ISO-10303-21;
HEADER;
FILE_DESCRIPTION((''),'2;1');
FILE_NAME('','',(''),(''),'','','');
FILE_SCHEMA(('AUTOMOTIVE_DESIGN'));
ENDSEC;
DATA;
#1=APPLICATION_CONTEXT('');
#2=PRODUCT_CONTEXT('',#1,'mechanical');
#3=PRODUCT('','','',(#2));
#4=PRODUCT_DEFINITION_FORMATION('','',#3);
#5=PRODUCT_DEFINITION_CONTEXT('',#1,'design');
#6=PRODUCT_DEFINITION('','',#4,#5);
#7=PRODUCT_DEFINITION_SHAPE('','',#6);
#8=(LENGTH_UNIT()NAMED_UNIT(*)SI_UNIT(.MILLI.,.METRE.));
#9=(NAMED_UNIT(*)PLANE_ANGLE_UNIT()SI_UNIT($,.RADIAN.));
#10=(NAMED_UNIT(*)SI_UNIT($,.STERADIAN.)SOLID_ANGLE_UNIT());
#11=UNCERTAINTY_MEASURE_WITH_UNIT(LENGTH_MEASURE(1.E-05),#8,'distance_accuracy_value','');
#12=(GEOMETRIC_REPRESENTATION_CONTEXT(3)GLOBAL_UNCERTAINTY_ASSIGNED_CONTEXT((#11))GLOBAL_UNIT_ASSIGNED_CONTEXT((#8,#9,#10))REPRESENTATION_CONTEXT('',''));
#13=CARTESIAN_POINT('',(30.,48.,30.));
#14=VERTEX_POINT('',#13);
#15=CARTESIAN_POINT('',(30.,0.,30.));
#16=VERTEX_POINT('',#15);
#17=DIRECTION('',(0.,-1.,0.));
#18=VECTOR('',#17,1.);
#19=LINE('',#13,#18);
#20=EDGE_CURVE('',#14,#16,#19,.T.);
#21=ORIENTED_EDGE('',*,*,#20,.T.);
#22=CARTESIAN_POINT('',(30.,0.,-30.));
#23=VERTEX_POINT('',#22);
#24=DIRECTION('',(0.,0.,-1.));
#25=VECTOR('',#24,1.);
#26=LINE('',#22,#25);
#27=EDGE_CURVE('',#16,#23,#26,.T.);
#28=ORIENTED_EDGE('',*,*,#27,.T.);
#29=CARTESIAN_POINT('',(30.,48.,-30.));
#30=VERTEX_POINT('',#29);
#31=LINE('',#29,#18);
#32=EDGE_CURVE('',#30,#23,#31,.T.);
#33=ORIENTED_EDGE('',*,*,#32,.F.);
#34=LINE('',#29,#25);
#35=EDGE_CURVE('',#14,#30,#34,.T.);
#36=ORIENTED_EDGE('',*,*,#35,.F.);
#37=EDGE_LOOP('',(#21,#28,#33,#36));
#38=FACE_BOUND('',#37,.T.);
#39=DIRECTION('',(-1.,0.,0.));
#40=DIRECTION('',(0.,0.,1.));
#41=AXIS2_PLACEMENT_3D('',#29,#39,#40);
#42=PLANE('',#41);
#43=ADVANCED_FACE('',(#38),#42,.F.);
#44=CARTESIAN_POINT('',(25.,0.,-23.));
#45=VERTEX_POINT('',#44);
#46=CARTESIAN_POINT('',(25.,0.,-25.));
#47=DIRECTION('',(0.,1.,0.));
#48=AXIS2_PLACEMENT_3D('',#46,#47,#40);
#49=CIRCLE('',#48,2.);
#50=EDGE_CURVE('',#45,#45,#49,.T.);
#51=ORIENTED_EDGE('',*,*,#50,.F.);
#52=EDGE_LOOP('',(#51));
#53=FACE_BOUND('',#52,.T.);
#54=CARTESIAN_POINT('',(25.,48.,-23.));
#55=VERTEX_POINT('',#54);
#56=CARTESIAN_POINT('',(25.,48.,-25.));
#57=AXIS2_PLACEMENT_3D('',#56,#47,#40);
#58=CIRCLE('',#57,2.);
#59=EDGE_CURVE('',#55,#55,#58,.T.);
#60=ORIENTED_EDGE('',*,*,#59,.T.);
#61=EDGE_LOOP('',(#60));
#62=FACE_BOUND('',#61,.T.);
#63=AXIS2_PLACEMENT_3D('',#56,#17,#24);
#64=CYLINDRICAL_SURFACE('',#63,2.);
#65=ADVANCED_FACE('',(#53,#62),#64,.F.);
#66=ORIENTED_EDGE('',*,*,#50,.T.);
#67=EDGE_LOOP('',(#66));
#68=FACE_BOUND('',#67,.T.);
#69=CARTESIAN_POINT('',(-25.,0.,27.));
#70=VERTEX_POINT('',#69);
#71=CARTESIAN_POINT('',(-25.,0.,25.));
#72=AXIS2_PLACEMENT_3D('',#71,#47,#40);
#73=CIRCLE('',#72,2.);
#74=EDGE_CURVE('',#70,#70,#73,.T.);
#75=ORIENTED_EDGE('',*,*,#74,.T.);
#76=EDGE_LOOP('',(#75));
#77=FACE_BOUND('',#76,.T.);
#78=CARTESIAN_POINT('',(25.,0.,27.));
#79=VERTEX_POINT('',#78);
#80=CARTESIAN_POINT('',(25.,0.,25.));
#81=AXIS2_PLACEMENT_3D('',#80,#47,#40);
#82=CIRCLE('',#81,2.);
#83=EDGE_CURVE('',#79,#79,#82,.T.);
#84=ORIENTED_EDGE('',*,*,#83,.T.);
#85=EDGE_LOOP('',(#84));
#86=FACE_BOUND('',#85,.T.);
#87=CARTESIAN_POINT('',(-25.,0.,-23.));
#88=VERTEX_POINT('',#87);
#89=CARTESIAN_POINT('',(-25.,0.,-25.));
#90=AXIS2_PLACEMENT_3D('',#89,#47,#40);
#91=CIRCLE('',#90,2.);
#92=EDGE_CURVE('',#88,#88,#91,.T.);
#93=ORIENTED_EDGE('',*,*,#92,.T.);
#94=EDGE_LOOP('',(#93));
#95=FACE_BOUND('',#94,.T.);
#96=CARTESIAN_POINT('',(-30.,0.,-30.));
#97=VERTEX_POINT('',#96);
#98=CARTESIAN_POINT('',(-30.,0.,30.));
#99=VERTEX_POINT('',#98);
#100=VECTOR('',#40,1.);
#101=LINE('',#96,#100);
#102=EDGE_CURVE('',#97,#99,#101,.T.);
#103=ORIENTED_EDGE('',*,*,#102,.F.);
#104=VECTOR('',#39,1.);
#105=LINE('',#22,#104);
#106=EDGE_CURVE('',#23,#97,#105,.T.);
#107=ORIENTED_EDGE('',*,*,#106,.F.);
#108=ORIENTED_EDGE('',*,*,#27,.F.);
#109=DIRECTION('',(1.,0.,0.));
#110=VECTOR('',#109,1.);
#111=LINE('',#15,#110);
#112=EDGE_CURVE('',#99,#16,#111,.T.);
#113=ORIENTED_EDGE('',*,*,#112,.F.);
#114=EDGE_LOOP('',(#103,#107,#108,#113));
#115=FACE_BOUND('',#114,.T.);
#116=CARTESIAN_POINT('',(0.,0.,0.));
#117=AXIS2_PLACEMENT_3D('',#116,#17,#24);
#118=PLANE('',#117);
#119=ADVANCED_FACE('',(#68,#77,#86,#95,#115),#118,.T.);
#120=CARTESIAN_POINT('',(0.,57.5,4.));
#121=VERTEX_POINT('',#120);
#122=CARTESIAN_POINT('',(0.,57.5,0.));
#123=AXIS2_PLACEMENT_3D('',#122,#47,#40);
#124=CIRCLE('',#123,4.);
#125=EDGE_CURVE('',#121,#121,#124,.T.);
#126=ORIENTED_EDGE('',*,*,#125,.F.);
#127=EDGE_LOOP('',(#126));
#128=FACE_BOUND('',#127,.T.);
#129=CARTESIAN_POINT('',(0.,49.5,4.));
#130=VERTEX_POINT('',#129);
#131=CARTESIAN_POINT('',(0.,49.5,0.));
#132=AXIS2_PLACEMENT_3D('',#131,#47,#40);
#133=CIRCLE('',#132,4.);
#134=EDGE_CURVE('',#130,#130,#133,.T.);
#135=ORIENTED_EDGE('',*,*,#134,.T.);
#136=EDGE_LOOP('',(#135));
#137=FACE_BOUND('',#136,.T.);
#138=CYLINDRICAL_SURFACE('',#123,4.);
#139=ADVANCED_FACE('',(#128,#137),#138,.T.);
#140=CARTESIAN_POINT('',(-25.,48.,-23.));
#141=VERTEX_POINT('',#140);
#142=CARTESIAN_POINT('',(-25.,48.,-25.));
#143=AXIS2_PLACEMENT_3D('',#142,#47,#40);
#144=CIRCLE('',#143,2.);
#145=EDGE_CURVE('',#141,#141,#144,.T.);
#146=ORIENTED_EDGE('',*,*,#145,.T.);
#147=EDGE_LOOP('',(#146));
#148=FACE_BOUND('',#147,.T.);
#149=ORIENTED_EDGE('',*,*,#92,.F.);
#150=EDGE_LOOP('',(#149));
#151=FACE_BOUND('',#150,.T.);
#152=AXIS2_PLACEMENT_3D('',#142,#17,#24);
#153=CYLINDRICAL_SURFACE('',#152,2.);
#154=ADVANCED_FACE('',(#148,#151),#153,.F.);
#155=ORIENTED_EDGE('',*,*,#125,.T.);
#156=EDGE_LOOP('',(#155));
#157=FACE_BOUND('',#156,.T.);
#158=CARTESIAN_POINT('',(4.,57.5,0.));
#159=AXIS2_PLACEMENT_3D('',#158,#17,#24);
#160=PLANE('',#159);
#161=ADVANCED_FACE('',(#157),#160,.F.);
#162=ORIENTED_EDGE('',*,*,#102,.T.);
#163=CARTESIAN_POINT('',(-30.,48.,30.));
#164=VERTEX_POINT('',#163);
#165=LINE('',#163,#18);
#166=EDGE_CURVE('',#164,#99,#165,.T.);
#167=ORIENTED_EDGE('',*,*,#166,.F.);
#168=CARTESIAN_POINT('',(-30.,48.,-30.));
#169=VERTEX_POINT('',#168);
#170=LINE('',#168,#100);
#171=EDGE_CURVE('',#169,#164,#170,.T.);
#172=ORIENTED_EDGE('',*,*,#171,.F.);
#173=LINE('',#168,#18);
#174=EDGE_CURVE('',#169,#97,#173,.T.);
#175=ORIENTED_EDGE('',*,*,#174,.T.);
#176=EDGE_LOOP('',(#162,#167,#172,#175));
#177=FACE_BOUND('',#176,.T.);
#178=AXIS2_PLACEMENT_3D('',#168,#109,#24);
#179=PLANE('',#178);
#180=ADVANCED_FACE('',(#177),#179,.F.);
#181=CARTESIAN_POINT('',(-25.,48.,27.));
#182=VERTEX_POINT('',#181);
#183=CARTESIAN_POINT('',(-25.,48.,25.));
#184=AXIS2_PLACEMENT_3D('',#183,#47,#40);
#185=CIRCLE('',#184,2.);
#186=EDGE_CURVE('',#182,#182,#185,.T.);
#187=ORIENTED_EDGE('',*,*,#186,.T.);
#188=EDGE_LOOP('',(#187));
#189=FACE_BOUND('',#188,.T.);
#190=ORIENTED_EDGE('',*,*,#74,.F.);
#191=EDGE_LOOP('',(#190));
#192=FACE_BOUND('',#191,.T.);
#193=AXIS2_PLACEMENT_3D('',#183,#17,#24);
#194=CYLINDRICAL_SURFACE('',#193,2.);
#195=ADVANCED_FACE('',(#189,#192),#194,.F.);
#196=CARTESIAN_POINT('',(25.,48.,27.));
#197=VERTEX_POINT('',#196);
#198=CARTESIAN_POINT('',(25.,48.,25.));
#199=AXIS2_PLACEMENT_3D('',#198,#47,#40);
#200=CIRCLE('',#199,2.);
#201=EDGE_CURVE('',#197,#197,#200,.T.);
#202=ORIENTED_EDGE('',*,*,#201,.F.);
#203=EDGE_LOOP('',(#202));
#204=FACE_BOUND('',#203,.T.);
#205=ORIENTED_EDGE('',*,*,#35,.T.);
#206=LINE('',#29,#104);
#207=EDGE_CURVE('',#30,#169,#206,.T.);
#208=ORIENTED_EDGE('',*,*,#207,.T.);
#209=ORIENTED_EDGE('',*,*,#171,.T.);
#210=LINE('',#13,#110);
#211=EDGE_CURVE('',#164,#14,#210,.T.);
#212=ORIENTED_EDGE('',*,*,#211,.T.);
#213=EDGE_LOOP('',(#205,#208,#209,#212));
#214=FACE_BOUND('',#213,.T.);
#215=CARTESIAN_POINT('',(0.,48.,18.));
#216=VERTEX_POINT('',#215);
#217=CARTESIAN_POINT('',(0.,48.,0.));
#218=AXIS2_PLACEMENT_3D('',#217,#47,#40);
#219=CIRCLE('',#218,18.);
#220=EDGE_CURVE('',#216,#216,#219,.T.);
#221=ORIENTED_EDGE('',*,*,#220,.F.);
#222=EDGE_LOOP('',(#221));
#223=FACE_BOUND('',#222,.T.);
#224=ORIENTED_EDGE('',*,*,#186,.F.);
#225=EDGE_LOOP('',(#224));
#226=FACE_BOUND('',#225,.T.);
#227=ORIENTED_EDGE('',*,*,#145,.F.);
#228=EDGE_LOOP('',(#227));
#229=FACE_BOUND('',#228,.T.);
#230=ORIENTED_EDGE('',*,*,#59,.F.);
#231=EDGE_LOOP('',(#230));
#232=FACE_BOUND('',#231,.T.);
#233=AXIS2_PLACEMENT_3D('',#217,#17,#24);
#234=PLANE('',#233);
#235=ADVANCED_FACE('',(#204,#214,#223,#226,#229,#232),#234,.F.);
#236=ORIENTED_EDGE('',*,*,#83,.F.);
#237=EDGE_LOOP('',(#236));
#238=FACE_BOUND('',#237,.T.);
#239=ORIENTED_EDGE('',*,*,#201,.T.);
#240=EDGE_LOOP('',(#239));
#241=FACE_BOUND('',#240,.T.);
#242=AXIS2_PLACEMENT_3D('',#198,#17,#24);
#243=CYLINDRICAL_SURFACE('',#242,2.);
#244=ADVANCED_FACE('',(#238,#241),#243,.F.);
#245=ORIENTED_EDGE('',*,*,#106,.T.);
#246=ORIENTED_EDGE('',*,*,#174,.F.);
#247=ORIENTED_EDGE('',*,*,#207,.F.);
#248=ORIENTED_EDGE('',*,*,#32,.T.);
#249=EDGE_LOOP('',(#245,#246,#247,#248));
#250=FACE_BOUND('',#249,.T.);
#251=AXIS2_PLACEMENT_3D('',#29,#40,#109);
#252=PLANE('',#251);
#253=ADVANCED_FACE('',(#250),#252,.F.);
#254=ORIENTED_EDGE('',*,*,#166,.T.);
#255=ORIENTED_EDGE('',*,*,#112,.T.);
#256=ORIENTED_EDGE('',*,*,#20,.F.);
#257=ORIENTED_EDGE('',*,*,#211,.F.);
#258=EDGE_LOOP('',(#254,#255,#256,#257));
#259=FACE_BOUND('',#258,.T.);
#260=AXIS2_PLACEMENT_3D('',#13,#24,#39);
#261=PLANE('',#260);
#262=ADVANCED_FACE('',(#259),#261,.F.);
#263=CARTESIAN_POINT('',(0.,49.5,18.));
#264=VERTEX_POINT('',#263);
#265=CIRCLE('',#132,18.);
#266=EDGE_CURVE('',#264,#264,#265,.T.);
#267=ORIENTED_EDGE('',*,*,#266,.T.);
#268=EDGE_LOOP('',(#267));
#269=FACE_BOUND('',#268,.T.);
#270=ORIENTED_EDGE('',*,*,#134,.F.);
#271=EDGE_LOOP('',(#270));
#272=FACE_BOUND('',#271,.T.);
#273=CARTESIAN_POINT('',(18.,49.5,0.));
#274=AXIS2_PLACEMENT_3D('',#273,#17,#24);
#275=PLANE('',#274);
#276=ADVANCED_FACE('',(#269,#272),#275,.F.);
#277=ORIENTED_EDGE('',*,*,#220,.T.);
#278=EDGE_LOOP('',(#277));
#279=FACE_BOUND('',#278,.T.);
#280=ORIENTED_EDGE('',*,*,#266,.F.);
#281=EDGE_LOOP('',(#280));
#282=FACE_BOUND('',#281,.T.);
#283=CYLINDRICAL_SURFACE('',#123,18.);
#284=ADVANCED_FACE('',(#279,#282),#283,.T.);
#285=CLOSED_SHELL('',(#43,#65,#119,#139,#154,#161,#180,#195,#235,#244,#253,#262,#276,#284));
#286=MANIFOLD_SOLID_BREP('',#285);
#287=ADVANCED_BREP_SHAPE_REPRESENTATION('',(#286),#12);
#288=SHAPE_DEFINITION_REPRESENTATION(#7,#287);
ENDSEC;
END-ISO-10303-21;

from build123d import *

# Parameters (mm, degrees)
SKETCH1_W           = 60
SKETCH1_H           = 60
SKETCH1_R           = 2
BOSS_EXTRUDE1_DEPTH = 48


with BuildPart() as part:
    # Sketch1 → Boss-Extrude1 (new body)
    with BuildSketch(Plane(origin=(0, 0, 0), x_dir=(1, 0, 0), z_dir=(0, 1, 0))):
        Rectangle(SKETCH1_W, SKETCH1_H)
        with Locations((-25, 25)):
            Circle(SKETCH1_R, mode=Mode.SUBTRACT)
        with Locations((25, 25)):
            Circle(SKETCH1_R, mode=Mode.SUBTRACT)
        with Locations((25, -25)):
            Circle(SKETCH1_R, mode=Mode.SUBTRACT)
        with Locations((-25, -25)):
            Circle(SKETCH1_R, mode=Mode.SUBTRACT)
    extrude(amount=BOSS_EXTRUDE1_DEPTH)

    # Sketch3 → Revolve1 (revolve)
    with BuildSketch(Plane.XY):
        Polygon((0, 48), (18, 48), (18, 49.5), (4, 49.5), (4, 57.5), (0, 57.5), align=None)
    revolve(axis=Axis((0, 57.5, 0), (0, -1, 0)))


solid = part.part
